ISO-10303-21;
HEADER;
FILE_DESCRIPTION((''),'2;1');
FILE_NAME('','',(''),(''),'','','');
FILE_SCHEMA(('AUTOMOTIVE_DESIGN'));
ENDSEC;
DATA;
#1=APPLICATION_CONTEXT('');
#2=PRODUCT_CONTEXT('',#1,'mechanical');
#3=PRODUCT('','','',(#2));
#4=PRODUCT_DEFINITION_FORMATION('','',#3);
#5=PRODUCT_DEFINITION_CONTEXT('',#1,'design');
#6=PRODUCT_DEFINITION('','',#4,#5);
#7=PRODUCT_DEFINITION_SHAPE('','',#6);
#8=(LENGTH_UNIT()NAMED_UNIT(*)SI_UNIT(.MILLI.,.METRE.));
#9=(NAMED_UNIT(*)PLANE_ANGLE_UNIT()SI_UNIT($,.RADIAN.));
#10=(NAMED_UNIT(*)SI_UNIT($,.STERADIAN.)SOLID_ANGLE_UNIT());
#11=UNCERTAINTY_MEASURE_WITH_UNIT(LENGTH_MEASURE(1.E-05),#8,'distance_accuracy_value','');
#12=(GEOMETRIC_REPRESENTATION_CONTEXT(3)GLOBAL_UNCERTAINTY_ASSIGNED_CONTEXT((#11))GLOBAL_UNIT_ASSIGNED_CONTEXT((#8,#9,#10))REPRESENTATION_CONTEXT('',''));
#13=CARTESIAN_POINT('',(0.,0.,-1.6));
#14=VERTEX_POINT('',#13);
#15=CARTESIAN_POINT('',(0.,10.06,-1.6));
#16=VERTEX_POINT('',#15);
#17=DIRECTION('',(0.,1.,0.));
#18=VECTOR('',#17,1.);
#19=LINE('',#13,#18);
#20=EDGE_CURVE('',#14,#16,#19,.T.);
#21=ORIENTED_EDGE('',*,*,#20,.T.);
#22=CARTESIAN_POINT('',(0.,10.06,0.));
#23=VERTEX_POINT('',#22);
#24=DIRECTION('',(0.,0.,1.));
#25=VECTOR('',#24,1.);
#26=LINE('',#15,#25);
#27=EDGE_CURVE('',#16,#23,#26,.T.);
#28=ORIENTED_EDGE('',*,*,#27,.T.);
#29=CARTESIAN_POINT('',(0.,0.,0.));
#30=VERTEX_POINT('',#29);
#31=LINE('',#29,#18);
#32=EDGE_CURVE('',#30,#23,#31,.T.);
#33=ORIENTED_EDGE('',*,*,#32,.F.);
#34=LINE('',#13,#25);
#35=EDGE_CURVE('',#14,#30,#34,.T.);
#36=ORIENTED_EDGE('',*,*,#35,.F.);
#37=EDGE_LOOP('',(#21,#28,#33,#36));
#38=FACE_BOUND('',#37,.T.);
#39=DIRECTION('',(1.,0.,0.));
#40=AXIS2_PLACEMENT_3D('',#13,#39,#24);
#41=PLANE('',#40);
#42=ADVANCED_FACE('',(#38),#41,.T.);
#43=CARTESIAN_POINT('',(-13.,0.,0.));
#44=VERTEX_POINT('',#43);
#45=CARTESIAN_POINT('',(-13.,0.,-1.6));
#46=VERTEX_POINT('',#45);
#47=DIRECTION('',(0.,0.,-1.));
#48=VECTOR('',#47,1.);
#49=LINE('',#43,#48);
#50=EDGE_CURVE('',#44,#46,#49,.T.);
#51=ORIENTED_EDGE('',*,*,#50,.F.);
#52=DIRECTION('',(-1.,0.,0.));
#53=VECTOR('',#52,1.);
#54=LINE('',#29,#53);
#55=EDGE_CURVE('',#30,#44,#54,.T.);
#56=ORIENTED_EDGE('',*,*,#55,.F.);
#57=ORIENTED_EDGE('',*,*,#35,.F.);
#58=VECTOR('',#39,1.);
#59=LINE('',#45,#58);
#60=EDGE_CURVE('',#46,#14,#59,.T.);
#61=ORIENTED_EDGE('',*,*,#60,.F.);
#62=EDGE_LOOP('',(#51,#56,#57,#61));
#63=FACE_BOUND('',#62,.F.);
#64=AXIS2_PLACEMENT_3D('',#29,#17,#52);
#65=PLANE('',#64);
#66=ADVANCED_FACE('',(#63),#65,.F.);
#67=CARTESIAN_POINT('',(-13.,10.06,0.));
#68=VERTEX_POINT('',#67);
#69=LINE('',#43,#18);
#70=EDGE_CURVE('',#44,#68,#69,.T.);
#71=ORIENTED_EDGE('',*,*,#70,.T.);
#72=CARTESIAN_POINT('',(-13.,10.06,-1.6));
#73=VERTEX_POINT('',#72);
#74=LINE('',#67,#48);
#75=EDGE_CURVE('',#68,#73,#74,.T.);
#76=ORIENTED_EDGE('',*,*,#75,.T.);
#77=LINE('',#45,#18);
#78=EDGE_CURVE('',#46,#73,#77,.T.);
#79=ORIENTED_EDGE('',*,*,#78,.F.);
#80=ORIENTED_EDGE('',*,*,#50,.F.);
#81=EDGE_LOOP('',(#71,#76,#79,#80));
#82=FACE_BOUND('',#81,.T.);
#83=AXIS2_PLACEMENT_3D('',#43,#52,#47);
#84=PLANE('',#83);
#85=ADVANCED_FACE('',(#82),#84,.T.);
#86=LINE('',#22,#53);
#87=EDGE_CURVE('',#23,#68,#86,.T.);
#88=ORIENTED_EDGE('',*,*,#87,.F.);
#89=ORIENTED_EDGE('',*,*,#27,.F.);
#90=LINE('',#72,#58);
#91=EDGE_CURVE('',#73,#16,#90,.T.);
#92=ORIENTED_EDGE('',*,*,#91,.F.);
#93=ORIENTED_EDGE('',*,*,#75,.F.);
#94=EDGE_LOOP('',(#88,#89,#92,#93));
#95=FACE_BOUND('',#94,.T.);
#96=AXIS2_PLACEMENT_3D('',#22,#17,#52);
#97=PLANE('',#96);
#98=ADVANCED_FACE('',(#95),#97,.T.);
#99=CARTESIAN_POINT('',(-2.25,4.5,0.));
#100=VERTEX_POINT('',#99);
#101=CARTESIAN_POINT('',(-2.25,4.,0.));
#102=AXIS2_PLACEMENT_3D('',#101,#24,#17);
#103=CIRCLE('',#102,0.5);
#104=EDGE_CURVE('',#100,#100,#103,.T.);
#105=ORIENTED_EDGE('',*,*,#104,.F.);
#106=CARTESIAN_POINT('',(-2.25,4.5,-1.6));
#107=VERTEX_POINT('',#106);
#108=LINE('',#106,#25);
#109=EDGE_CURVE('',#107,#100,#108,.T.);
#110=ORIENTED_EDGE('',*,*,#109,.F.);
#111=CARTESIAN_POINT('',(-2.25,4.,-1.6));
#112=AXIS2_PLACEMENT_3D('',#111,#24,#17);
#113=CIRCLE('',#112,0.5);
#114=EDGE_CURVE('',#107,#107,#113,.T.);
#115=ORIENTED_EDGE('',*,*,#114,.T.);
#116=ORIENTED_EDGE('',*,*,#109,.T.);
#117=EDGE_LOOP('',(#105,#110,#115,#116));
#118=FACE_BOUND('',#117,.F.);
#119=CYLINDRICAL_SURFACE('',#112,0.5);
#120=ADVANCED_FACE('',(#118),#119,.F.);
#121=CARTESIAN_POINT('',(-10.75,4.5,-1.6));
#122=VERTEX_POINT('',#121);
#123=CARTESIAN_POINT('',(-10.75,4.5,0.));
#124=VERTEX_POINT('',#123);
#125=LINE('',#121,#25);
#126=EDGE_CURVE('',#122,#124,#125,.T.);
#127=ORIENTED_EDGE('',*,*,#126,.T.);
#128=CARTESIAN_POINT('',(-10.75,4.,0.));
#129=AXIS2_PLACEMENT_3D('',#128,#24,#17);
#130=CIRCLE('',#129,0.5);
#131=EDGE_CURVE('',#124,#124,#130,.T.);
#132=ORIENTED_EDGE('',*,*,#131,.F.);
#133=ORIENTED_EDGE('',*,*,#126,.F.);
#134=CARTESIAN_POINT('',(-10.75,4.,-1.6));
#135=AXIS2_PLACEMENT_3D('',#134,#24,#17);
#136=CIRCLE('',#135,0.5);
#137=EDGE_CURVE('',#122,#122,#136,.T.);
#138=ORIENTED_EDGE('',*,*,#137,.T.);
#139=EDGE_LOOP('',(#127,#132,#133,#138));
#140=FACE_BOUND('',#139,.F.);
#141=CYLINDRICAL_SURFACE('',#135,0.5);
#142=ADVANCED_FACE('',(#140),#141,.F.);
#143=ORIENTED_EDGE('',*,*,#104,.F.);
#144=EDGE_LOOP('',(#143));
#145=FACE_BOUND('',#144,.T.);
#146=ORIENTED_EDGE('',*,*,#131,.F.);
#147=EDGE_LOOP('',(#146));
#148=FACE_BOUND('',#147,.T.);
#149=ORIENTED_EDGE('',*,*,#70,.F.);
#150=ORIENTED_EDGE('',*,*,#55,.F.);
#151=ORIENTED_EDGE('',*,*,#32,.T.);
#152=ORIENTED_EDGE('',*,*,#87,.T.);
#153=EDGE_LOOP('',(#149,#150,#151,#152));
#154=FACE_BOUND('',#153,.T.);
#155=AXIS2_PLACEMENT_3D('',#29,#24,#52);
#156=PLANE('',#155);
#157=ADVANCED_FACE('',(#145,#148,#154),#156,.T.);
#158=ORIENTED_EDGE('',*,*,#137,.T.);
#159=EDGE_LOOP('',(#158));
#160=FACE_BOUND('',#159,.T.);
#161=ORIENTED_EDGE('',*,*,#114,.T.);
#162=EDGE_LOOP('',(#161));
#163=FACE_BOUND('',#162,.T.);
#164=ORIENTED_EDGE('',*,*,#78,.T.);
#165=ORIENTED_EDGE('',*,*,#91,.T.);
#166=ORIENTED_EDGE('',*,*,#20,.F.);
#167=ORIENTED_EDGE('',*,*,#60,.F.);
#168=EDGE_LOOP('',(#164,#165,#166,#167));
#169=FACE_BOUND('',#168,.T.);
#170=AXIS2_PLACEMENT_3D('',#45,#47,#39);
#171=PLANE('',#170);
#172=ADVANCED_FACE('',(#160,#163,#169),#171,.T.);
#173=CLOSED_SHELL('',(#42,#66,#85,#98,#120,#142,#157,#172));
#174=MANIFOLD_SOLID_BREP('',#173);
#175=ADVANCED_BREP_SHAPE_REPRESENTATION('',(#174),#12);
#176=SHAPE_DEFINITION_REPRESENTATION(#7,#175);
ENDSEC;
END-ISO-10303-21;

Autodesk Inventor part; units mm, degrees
ref_plane "YZ Plane" through (0, 0, 0) normal (1, 0, 0) x (0, 1, 0)
ref_plane "XZ Plane" through (0, 0, 0) normal (0, 1, 0) x (-1, 0, 0)
ref_plane "XY Plane" through (0, 0, 0) normal (0, 0, 1) x (1, 0, 0)
sketch "Boceto1" plane through (0, 0, 0) normal (0, 1, 0) x (-1, 0, 0)
  line L0 (0, 0) -> (13, 0)
  line L1 (13, 0) -> (13, -1.6)
  line L2 (13, -1.6) -> (0, -1.6)
  line L3 (0, -1.6) -> (0, 0)
  dimension "d0" = 13
  dimension "d1" = 1.6
extrude "Extrusión1" add sketch "Boceto1" along normal blind 10.06
sketch "Boceto3" plane through (0, 0, -1.6) normal (0, 0, -1) x (-1, 0, 0)
  circle A0 centre (2.25, 4) radius 0.5
  circle A1 centre (10.75, 4) radius 0.5
  line L0 (0, 0) -> (13, 0) projected
  dimension "d12" = 1
  dimension "d13" = 1
  dimension "d21" = 4
hole "Agujero1" at (-2.25, 4, -1.6) at (-10.75, 4, -1.6) at (-10.75, 4, -1.6) direction (0, 0, 1) diameter 1 end through all
properties part number "Placa Cobre" material "Cobre"
